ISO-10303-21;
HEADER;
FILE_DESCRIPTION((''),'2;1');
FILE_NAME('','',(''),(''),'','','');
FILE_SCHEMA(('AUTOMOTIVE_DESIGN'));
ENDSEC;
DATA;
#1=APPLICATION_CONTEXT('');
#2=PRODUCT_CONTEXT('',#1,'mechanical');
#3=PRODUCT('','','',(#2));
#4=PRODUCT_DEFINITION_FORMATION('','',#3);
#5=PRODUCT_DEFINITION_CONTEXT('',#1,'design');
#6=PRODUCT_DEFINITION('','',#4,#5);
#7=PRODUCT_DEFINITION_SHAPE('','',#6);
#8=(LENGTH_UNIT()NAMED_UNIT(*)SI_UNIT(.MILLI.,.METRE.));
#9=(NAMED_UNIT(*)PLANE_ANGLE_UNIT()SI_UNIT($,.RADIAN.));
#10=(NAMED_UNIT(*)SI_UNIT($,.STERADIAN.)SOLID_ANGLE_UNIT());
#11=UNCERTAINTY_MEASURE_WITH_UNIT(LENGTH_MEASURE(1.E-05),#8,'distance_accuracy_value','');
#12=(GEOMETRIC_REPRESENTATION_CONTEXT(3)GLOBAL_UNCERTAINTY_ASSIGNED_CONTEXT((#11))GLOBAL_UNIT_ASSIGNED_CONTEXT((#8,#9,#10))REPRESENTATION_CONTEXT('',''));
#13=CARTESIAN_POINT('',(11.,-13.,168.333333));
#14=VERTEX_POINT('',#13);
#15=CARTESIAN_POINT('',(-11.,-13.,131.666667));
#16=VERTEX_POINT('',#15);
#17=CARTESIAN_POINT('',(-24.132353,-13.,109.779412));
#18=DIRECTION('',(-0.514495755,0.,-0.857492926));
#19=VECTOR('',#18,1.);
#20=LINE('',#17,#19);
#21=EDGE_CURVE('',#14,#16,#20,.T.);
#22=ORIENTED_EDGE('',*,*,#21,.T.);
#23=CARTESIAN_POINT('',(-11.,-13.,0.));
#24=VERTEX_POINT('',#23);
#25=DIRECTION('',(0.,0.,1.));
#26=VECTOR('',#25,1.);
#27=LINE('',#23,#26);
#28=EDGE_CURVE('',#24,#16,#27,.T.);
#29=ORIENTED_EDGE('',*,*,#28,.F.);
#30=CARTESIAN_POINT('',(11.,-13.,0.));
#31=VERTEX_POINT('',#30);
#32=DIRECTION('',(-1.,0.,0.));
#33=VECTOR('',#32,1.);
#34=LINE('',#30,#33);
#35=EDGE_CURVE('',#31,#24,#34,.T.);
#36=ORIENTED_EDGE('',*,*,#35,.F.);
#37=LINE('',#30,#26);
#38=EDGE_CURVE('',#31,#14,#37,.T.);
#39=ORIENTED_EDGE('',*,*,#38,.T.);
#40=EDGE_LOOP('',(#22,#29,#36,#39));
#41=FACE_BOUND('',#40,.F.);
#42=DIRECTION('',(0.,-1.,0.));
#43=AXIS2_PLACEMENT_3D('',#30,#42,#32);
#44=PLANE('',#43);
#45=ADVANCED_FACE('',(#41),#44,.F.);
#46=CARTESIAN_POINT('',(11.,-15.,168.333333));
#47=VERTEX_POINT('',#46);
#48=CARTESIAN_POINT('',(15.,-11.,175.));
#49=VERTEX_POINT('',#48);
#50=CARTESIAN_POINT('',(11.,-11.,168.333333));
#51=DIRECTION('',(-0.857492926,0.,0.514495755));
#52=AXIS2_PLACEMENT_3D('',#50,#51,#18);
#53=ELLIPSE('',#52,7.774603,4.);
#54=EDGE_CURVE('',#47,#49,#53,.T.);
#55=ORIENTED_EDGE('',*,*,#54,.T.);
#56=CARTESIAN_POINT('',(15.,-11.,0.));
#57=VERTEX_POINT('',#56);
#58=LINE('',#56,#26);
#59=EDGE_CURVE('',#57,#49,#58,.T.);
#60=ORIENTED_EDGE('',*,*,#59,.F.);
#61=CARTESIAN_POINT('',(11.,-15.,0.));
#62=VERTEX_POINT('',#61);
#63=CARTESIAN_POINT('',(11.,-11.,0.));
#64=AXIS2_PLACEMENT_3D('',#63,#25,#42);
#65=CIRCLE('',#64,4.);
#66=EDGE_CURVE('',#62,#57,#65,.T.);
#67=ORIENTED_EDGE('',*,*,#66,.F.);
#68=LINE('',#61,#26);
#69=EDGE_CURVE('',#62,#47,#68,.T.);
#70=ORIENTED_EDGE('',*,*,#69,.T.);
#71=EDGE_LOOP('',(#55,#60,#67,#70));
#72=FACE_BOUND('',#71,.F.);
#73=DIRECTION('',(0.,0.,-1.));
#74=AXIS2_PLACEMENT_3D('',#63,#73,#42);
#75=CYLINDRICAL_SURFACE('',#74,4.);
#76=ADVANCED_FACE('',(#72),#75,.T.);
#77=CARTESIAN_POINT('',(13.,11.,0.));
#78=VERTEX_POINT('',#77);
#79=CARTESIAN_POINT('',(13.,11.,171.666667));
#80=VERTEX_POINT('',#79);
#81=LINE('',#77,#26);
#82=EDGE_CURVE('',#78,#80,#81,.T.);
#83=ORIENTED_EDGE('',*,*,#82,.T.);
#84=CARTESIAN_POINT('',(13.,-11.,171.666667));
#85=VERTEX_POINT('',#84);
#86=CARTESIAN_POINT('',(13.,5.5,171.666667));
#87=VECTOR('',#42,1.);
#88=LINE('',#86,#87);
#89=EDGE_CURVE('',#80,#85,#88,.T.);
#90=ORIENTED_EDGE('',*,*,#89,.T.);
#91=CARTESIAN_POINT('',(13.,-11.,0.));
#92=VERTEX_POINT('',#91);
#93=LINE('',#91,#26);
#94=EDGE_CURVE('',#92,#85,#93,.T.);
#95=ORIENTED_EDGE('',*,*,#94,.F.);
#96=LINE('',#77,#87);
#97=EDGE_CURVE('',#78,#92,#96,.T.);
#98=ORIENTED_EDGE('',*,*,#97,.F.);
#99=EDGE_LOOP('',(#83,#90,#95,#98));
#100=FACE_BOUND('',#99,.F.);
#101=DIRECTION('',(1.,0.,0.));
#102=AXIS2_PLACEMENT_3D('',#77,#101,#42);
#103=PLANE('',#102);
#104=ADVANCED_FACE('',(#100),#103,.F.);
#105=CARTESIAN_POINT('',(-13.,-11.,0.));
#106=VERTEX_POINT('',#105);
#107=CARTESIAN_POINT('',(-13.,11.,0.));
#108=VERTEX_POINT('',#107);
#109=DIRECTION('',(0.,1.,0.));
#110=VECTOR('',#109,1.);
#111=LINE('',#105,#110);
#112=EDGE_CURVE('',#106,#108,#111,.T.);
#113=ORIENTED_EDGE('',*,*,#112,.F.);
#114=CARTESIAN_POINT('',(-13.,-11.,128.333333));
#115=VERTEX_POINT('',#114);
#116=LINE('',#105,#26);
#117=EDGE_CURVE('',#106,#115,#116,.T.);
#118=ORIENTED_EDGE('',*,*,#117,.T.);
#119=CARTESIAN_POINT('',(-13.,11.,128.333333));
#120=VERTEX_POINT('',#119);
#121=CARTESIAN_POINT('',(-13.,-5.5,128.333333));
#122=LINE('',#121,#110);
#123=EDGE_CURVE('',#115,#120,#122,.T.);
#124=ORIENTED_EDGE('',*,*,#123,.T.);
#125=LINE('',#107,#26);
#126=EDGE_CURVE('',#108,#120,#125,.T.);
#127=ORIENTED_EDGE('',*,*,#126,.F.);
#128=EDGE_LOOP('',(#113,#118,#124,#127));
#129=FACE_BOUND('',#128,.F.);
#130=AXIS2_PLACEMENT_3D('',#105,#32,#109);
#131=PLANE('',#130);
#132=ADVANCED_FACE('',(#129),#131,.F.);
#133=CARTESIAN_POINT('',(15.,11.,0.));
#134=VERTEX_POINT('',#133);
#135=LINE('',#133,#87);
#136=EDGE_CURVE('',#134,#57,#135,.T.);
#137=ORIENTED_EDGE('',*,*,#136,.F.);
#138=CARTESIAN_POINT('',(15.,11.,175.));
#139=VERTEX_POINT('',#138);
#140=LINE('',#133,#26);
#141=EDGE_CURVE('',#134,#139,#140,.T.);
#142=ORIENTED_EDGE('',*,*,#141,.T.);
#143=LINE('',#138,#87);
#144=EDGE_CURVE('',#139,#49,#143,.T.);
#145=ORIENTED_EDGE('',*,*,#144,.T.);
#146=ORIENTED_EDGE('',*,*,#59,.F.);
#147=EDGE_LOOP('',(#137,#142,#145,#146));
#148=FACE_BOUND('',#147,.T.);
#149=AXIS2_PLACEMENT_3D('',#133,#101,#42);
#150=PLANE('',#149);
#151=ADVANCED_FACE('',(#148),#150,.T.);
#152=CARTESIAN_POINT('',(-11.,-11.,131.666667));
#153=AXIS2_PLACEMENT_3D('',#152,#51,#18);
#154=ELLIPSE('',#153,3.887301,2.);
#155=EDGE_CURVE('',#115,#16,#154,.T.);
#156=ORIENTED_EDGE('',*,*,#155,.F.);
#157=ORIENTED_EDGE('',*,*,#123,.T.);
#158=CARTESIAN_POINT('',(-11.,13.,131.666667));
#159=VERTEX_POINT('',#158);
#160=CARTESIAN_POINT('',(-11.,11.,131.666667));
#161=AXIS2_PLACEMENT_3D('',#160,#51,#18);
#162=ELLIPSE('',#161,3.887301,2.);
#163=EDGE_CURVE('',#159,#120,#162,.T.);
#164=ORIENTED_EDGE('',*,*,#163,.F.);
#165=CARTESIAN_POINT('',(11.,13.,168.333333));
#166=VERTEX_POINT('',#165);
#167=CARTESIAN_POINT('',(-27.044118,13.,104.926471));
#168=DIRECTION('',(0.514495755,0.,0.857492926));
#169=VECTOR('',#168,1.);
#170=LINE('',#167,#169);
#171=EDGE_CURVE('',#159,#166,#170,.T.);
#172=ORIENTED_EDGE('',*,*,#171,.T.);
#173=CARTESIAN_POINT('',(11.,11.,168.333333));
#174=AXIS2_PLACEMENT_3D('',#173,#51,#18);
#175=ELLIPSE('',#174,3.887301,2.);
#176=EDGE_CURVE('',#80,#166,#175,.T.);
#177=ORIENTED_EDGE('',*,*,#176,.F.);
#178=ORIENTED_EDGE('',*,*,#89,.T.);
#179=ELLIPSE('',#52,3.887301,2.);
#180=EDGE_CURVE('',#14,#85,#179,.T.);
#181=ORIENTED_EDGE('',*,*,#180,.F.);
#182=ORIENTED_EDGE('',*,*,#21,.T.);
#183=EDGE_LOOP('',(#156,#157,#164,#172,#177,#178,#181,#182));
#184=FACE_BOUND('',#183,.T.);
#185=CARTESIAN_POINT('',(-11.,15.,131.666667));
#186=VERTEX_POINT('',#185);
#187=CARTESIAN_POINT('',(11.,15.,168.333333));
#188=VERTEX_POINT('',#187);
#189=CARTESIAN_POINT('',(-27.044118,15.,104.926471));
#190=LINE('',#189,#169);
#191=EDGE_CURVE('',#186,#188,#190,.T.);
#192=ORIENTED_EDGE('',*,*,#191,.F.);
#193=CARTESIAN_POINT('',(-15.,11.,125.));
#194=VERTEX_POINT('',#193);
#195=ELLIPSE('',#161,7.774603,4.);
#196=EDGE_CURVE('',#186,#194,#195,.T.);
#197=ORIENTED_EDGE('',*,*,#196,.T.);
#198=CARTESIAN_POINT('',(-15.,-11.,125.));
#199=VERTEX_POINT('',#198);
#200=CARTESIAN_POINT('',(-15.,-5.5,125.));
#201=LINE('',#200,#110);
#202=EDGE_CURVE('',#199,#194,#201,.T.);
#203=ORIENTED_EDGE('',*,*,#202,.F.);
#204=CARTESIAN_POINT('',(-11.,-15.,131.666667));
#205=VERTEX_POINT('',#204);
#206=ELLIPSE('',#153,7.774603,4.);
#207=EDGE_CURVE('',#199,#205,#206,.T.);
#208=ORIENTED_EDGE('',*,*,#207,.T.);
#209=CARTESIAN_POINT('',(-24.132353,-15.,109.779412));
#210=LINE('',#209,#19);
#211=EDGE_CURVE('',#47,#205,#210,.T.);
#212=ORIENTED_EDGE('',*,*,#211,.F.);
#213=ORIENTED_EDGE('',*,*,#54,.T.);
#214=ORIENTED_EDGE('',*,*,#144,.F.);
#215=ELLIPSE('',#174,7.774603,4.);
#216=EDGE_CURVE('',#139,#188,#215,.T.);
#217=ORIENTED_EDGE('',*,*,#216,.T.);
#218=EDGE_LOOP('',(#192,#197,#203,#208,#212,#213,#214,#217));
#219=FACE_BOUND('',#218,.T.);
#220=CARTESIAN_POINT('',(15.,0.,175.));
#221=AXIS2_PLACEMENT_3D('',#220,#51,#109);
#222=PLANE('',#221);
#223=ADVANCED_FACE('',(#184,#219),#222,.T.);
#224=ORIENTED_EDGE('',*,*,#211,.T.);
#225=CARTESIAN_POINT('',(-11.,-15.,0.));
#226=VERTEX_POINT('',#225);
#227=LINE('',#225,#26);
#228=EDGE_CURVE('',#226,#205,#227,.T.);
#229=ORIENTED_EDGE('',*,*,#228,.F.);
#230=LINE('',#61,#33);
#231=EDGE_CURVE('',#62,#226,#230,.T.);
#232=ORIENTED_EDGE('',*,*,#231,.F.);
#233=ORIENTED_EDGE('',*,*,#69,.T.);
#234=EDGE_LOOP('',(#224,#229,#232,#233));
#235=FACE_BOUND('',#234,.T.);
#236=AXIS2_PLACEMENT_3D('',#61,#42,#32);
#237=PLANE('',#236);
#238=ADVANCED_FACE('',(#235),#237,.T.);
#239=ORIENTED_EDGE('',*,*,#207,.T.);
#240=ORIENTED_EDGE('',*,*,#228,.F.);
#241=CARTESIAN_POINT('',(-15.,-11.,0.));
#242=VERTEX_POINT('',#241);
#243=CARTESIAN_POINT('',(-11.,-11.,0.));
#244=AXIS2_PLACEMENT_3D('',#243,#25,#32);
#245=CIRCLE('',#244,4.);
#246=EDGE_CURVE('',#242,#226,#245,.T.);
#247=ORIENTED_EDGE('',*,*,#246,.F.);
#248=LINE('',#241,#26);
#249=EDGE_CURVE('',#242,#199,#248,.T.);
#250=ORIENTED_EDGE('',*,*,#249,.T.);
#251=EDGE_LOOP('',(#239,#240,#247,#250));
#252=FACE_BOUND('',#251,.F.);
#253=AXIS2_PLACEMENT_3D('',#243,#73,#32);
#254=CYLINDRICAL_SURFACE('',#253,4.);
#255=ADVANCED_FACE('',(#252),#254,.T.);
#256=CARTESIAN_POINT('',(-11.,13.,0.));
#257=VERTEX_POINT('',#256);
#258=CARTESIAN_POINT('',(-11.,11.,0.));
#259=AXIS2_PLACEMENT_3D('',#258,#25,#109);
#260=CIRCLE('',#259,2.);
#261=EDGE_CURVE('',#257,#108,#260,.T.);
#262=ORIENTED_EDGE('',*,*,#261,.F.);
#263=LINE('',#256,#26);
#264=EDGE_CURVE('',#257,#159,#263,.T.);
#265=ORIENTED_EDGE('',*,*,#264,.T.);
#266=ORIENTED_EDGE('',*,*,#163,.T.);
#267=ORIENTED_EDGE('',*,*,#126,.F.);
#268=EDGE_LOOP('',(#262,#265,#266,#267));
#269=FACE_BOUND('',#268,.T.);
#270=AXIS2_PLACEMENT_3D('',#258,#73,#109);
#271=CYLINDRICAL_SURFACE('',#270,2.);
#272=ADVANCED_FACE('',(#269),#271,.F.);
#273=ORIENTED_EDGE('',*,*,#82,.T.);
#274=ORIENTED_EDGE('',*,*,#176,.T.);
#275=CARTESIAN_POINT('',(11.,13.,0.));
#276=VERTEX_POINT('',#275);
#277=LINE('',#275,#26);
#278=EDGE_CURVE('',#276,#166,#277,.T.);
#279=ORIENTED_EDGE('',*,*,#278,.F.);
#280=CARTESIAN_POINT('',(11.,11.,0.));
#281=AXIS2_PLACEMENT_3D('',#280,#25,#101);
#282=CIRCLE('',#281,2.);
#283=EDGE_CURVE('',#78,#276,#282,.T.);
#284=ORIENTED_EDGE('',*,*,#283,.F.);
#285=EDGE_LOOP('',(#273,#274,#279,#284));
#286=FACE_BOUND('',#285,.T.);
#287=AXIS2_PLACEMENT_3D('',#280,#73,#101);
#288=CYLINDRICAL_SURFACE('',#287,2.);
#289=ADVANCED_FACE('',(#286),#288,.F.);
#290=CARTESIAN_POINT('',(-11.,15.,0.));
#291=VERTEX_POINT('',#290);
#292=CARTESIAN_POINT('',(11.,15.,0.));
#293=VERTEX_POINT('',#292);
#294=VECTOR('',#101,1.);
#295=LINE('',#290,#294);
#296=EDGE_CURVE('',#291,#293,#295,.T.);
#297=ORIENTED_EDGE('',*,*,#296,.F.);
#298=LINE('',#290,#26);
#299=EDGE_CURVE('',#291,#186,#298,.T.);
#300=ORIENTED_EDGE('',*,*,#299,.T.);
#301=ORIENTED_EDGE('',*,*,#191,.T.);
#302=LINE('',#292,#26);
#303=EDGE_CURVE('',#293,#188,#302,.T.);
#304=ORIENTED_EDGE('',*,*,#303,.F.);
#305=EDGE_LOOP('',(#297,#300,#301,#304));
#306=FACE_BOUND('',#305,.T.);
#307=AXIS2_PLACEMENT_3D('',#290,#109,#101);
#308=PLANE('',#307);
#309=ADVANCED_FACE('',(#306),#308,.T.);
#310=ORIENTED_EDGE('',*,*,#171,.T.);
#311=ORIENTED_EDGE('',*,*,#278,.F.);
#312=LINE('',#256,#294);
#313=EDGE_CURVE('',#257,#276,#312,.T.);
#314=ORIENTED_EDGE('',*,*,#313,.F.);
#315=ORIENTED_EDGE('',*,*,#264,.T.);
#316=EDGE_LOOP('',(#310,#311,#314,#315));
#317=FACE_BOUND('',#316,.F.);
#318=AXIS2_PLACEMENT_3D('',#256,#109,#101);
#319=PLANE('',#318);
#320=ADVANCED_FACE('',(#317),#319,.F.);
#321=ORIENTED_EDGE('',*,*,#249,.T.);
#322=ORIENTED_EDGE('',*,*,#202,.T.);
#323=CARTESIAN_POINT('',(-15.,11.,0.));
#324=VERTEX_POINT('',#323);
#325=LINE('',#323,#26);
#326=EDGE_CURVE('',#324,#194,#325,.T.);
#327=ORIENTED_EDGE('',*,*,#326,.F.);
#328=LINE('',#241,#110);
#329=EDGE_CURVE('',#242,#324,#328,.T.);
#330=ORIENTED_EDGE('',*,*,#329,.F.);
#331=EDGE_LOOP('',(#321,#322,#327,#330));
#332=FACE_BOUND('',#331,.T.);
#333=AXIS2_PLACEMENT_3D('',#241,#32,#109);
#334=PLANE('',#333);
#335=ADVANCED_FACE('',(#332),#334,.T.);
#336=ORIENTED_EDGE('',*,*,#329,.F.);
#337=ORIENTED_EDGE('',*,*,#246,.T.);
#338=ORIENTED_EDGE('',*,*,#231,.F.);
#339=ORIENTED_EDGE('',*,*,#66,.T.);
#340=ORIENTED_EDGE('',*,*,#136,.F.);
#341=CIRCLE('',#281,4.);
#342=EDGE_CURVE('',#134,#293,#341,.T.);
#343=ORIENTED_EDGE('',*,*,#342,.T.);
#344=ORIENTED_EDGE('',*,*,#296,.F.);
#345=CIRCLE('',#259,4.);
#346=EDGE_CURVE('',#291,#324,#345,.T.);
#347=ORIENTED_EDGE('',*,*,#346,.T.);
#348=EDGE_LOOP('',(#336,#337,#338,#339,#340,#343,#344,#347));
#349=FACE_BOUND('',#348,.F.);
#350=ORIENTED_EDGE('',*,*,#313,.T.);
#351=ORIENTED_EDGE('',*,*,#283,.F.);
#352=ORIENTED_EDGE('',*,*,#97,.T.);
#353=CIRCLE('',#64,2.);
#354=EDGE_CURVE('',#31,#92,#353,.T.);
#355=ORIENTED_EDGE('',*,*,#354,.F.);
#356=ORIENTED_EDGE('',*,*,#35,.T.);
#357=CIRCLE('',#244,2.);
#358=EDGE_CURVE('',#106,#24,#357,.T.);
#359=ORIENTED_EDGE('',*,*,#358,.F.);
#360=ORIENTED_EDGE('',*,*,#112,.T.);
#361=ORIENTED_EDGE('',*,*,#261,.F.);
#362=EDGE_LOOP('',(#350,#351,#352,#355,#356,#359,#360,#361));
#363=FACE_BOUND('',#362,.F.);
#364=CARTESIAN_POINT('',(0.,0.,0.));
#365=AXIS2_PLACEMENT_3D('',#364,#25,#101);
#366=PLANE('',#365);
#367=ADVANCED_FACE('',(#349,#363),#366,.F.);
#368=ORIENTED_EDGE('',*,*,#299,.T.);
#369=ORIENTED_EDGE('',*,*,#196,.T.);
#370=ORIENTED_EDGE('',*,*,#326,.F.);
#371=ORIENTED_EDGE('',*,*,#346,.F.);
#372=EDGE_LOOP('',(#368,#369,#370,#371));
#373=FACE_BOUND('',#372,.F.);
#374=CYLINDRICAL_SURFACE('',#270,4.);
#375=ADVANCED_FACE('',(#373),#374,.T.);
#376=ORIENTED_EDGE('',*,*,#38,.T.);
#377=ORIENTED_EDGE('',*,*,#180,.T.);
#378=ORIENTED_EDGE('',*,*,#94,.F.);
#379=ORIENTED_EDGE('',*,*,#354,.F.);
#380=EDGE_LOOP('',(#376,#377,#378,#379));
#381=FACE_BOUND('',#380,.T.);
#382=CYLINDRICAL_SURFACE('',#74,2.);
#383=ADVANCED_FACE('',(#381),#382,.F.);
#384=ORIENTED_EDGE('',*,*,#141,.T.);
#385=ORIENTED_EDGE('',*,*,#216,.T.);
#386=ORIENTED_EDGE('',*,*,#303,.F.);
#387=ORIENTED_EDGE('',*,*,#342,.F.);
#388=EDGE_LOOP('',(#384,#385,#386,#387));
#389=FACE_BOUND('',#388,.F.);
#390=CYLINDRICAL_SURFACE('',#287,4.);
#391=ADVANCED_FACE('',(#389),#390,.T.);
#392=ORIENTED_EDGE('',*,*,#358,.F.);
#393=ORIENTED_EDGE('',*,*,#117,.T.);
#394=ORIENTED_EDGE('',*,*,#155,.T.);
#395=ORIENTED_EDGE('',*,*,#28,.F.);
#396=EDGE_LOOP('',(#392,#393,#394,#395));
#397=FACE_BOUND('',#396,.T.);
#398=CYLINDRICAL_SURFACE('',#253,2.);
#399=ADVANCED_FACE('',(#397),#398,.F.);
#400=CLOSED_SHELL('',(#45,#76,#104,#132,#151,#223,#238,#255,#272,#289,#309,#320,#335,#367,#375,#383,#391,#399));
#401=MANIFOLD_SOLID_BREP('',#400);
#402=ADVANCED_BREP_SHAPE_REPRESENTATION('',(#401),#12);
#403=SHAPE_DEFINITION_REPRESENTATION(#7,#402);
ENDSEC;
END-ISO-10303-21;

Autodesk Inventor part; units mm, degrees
ref_plane "Plano inicial" through (0, 0, 0) normal (0, 0, 1) x (1, 0, 0)
ref_plane "Plano final" through (0, 0, 175) normal (0, 0, 1) x (1, 0, 0)
sketch "Esboço" plane through (0, 0, 0) normal (0, 0, 1) x (1, 0, 0)
  line L0 (-15, -11) -> (-15, 11)
  line L1 (-11, 15) -> (11, 15)
  line L2 (15, 11) -> (15, -11)
  line L3 (11, -15) -> (-11, -15)
  arc A0 (-15, -11) -> (-11, -15) centre (-11, -11) ccw
  arc A1 (15, 11) -> (11, 15) centre (11, 11) ccw
  arc A2 (-11, 15) -> (-15, 11) centre (-11, 11) ccw
  arc A3 (11, -15) -> (15, -11) centre (11, -11) ccw
  arc A4 (-11, 13) -> (-13, 11) centre (-11, 11) ccw
  line L4 (-11, 13) -> (11, 13)
  arc A5 (13, 11) -> (11, 13) centre (11, 11) ccw
  line L5 (13, 11) -> (13, -11)
  arc A6 (11, -13) -> (13, -11) centre (11, -11) ccw
  line L6 (11, -13) -> (-11, -13)
  arc A7 (-13, -11) -> (-11, -13) centre (-11, -11) ccw
  line L7 (-13, -11) -> (-13, 11)
  line L8 (0, 22.1598) -> (0, -22.1598) construction
  line L9 (-22.1598, 0) -> (22.1598, 0) construction
  dimension "d7" = 4
  dimension "d9" = 30
  dimension "d11" = 30
  dimension "d12" = 2
  dimension "d15" = 15
  dimension "d16" = 15
extrude "Corpo" add sketch "Esboço" along normal up to surface (175 mm away) from surface at 0
sketch "Sketch3" plane through (0, 0, 0) normal (0, 0, 1) x (1, 0, 0)
  line L0 (0, 0) -> (10, 0)
ref_plane "Work Plane3" through (0, 0, 0) normal (0, -1, 0) x (1, 0, 0)
sketch "Sketch4" plane through (0, 0, 0) normal (0, -1, 0) x (1, 0, 0)
  line L0 (-2, 0) -> (12, 0)
  line L1 (-2, 175) -> (12, 175)
  dimension "d18" = 175
ref_plane "Plano de trabalho5" through (-105, -11, 0) normal (0, 0, -1) x (-1, 0, 0)
split "Dividir2" plane through (-105, -11, 0) removes the side toward (0, 0, -1)
ref_plane "Plano de trabalho6" through (15, 0, 175) normal (-0.8575, 0, 0.5145) x (0.5145, 0, 0.8575)
split "Dividir3" plane through (15, 0, 175) removes the side toward (-0.8575, 0, 0.5145)
equation "\"d7\" = G_IR"
equation "\"d9\" = G_W"
equation "\"d11\" = G_H"
equation "\"d12\" = G_T"
equation "\"d15\" = 0.5 * d9"
equation "\"d16\" = 0.5 * d11"
equation "\"d3\" = G_L"
equation "\"G_W\" = 30"
equation "\"G_H\" = 30"
equation "\"G_T\" = 2"
equation "\"G_IR\" = 4"
equation "\"G_L\" = d18"
equation "\"G_OFFSET_START\" = 0"
equation "\"G_OFFSET_END\" = 0"
equation "\"d14\" = G_OFFSET_END + B_L"
equation "\"B_L\" = 175"
properties part number "ISO 10799-2 - 30x30x2 - 175" material "Aço, suave"
